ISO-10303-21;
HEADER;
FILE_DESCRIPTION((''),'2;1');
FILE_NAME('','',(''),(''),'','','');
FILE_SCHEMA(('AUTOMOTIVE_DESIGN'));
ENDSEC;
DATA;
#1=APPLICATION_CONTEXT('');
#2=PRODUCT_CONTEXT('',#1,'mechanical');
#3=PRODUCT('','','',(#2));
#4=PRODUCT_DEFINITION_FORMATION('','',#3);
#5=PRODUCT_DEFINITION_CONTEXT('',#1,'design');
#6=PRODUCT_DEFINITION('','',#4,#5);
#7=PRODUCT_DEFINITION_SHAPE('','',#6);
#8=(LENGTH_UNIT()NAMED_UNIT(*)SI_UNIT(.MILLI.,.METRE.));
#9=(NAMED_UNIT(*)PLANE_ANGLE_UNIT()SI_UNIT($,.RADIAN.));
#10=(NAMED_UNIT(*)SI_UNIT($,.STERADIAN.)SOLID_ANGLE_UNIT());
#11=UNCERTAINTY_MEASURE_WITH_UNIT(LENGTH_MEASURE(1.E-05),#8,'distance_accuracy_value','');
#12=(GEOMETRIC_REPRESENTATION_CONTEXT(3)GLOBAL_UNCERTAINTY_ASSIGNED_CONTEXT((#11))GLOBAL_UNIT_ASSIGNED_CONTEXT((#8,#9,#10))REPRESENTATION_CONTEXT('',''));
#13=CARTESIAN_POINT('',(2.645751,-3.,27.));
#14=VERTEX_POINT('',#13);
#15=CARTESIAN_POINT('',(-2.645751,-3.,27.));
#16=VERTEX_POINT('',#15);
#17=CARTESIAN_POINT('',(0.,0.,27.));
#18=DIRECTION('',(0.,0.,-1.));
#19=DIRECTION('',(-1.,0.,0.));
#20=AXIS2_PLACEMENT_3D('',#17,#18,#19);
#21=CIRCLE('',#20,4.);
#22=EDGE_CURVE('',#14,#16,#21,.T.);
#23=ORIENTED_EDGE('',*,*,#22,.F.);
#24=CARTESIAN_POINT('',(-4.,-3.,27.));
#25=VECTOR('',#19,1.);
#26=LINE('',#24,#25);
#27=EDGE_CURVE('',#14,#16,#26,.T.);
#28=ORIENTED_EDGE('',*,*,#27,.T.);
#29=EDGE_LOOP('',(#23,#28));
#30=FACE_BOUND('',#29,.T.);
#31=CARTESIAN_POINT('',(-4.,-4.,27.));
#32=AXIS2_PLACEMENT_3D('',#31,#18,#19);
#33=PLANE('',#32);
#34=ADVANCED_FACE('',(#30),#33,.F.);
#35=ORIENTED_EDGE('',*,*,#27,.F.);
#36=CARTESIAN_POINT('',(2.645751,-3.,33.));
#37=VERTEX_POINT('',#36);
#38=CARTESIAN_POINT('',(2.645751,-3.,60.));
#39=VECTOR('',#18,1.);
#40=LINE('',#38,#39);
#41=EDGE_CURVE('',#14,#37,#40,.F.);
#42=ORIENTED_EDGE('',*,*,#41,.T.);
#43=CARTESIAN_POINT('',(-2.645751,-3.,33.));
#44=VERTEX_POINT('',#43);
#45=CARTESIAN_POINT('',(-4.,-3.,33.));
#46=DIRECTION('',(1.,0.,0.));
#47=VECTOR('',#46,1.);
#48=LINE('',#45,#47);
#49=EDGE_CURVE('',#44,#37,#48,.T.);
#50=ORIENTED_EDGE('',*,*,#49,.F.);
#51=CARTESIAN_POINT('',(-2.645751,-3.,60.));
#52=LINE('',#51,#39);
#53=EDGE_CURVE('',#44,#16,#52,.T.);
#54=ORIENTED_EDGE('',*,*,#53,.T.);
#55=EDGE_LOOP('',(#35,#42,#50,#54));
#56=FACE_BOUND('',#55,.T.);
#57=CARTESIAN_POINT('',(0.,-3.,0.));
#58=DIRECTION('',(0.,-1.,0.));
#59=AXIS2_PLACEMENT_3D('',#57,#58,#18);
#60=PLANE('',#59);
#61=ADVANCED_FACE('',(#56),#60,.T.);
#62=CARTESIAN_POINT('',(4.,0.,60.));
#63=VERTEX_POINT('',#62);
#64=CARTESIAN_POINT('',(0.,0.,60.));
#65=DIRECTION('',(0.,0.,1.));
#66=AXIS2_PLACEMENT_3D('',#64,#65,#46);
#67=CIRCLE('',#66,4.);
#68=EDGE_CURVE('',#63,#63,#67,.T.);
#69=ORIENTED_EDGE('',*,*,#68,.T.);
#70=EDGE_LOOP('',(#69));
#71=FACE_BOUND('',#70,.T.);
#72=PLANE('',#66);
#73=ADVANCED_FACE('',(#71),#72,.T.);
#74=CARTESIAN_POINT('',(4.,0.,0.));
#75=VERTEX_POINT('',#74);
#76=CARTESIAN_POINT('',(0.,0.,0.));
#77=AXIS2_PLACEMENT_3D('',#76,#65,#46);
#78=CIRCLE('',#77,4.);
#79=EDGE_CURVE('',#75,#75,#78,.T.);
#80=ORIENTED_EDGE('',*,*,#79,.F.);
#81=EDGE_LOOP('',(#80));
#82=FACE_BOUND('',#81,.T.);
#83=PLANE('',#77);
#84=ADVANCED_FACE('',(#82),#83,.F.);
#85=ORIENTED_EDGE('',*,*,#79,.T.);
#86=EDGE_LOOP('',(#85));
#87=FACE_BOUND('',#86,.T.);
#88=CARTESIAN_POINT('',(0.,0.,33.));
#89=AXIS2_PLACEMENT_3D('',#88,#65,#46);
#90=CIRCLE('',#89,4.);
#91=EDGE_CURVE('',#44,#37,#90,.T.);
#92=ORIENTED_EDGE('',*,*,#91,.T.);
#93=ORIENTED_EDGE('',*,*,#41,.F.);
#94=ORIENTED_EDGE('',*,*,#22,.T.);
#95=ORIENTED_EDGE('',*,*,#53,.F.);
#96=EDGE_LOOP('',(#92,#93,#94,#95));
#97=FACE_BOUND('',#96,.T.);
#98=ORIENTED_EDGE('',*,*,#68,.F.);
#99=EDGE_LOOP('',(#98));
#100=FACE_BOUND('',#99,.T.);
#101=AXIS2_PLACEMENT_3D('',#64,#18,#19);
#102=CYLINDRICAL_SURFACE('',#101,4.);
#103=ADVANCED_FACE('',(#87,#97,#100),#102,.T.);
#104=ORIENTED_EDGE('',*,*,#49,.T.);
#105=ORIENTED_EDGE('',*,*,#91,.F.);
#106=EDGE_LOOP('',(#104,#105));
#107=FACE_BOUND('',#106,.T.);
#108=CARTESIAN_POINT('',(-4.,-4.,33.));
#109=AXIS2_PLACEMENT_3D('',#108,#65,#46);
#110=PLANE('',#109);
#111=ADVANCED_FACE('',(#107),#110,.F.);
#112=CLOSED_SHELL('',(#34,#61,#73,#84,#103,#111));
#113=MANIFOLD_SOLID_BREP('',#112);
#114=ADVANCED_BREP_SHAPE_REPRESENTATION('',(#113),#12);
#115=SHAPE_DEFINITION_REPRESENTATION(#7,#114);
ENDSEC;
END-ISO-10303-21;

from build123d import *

# Parameters (mm, degrees)
SKETCH1_R           = 4
BOSS_EXTRUDE1_DEPTH = 60
CUT_EXTRUDE1_START  = -3
SKETCH2_W           = 8
SKETCH2_H           = 6
CUT_EXTRUDE1_DEPTH  = 1


with BuildPart() as part:
    # Sketch1 → Boss-Extrude1 (new body)
    with BuildSketch(Plane.XY):
        Circle(SKETCH1_R)
    extrude(amount=BOSS_EXTRUDE1_DEPTH)

    # Sketch2 → Cut-Extrude1 (cut)
    with BuildSketch(Plane(origin=(0, 0, 0), x_dir=(1, 0, 0), z_dir=(0, 1, 0)).offset(CUT_EXTRUDE1_START)):
        with Locations((0, -30)):
            Rectangle(SKETCH2_W, SKETCH2_H)
    extrude(amount=-CUT_EXTRUDE1_DEPTH, mode=Mode.SUBTRACT)


solid = part.part
